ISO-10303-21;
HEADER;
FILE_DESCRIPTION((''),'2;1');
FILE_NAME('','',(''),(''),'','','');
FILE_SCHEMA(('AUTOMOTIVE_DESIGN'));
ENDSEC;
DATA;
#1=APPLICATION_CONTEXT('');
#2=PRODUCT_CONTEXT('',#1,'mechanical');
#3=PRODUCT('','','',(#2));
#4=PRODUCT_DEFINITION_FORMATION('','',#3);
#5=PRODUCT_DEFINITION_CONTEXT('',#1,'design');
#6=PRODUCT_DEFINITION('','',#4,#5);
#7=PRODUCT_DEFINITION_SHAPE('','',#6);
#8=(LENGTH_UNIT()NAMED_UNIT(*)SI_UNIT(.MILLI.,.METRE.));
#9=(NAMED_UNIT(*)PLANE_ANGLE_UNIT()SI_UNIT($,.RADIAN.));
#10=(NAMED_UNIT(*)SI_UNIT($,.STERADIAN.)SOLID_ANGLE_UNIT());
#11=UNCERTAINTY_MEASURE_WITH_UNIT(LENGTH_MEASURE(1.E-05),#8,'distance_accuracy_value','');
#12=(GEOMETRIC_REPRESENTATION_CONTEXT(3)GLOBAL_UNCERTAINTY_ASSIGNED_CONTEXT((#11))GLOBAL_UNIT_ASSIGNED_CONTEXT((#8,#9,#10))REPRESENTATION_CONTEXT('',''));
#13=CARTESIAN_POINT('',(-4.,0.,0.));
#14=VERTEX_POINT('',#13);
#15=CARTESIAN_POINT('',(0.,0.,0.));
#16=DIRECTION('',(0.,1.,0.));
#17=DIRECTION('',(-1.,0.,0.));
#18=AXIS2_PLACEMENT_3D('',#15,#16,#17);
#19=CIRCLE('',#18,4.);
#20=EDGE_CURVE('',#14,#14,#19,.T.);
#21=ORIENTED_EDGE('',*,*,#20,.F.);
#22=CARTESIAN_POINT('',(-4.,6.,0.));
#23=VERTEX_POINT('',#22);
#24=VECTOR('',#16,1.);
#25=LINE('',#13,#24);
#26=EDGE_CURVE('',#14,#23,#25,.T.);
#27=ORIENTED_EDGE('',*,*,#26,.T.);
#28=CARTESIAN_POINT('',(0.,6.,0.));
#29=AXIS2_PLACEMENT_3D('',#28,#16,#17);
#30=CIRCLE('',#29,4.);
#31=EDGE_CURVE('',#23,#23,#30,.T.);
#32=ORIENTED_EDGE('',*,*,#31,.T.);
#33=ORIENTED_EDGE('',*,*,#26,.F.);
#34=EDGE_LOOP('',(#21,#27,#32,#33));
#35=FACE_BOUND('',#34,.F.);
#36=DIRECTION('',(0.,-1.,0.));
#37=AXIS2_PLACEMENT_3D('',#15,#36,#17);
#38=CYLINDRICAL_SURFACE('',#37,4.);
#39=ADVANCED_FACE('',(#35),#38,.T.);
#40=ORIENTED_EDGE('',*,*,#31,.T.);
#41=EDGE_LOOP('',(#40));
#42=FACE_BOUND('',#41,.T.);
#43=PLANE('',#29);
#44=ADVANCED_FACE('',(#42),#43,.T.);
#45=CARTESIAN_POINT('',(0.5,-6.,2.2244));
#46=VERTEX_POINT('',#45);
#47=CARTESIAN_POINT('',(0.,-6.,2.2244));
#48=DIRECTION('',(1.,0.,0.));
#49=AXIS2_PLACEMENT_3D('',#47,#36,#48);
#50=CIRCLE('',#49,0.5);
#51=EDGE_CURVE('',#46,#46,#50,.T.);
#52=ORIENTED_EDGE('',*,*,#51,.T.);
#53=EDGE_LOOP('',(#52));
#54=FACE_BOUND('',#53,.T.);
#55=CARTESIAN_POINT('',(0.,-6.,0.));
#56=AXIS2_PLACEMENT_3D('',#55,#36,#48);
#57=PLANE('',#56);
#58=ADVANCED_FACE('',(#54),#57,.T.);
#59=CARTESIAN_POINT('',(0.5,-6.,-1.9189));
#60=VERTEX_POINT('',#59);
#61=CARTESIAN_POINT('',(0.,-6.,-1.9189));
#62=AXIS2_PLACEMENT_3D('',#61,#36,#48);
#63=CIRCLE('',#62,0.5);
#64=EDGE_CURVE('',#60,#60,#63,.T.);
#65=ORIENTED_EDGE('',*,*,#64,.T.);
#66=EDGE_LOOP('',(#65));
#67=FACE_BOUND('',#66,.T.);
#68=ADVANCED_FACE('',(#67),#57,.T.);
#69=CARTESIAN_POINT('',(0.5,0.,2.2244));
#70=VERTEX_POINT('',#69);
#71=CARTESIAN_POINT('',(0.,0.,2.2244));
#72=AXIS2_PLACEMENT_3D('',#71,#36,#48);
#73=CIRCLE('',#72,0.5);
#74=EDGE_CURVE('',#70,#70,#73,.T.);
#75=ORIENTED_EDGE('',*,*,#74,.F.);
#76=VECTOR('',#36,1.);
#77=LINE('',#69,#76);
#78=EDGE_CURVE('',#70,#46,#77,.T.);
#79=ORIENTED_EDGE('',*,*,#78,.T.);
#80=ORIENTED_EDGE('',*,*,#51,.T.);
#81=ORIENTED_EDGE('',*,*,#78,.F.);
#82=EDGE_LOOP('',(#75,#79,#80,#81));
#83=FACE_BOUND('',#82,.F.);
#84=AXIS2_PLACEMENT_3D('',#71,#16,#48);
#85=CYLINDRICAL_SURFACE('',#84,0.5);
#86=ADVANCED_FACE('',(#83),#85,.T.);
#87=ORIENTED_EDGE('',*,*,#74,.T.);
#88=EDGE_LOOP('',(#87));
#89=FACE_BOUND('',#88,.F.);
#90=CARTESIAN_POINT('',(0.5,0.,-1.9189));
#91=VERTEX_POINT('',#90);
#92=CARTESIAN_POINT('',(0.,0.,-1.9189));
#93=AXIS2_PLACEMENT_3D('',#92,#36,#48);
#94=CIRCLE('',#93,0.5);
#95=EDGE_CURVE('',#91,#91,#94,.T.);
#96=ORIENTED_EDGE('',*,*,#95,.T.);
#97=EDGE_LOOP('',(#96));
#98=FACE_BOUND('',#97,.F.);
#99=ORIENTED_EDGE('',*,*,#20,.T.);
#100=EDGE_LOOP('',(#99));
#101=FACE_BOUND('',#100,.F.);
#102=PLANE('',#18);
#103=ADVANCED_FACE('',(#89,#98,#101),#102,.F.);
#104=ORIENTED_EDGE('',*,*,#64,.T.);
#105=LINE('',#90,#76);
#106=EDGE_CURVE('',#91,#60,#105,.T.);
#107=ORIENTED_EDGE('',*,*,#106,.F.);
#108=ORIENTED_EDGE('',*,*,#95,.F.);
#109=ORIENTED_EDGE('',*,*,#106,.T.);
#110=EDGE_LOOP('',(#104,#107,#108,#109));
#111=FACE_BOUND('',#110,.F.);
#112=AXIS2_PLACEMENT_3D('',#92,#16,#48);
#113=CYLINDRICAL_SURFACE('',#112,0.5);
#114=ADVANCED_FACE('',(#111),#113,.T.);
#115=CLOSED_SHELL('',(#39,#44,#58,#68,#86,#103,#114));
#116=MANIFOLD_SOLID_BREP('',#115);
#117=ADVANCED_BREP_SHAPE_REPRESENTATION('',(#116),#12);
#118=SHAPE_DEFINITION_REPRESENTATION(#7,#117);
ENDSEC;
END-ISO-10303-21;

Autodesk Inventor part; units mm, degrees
ref_plane "YZ Plane" through (0, 0, 0) normal (1, 0, 0) x (0, 1, 0)
ref_plane "XZ Plane" through (0, 0, 0) normal (0, 1, 0) x (-1, 0, 0)
ref_plane "XY Plane" through (0, 0, 0) normal (0, 0, 1) x (1, 0, 0)
sketch "Sketch1" plane through (0, 0, 0) normal (0, 1, 0) x (-1, 0, 0)
  circle A0 centre (0, 0) radius 4
  dimension "d0" = 8
extrude "Extrusion1" add sketch "Sketch1" along normal blind 6
sketch "Sketch2" plane through (0, 0, 0) normal (0, -1, 0) x (1, 0, 0)
  circle A0 centre (0, 2.2244) radius 0.5
  circle A1 centre (0, -1.9189) radius 0.5
  point P0 (0, 0)
  dimension "d3" = 1
  dimension "d4" = 1
extrude "Extrusion2" add sketch "Sketch2" along normal blind 6
properties part number "buzzer"
